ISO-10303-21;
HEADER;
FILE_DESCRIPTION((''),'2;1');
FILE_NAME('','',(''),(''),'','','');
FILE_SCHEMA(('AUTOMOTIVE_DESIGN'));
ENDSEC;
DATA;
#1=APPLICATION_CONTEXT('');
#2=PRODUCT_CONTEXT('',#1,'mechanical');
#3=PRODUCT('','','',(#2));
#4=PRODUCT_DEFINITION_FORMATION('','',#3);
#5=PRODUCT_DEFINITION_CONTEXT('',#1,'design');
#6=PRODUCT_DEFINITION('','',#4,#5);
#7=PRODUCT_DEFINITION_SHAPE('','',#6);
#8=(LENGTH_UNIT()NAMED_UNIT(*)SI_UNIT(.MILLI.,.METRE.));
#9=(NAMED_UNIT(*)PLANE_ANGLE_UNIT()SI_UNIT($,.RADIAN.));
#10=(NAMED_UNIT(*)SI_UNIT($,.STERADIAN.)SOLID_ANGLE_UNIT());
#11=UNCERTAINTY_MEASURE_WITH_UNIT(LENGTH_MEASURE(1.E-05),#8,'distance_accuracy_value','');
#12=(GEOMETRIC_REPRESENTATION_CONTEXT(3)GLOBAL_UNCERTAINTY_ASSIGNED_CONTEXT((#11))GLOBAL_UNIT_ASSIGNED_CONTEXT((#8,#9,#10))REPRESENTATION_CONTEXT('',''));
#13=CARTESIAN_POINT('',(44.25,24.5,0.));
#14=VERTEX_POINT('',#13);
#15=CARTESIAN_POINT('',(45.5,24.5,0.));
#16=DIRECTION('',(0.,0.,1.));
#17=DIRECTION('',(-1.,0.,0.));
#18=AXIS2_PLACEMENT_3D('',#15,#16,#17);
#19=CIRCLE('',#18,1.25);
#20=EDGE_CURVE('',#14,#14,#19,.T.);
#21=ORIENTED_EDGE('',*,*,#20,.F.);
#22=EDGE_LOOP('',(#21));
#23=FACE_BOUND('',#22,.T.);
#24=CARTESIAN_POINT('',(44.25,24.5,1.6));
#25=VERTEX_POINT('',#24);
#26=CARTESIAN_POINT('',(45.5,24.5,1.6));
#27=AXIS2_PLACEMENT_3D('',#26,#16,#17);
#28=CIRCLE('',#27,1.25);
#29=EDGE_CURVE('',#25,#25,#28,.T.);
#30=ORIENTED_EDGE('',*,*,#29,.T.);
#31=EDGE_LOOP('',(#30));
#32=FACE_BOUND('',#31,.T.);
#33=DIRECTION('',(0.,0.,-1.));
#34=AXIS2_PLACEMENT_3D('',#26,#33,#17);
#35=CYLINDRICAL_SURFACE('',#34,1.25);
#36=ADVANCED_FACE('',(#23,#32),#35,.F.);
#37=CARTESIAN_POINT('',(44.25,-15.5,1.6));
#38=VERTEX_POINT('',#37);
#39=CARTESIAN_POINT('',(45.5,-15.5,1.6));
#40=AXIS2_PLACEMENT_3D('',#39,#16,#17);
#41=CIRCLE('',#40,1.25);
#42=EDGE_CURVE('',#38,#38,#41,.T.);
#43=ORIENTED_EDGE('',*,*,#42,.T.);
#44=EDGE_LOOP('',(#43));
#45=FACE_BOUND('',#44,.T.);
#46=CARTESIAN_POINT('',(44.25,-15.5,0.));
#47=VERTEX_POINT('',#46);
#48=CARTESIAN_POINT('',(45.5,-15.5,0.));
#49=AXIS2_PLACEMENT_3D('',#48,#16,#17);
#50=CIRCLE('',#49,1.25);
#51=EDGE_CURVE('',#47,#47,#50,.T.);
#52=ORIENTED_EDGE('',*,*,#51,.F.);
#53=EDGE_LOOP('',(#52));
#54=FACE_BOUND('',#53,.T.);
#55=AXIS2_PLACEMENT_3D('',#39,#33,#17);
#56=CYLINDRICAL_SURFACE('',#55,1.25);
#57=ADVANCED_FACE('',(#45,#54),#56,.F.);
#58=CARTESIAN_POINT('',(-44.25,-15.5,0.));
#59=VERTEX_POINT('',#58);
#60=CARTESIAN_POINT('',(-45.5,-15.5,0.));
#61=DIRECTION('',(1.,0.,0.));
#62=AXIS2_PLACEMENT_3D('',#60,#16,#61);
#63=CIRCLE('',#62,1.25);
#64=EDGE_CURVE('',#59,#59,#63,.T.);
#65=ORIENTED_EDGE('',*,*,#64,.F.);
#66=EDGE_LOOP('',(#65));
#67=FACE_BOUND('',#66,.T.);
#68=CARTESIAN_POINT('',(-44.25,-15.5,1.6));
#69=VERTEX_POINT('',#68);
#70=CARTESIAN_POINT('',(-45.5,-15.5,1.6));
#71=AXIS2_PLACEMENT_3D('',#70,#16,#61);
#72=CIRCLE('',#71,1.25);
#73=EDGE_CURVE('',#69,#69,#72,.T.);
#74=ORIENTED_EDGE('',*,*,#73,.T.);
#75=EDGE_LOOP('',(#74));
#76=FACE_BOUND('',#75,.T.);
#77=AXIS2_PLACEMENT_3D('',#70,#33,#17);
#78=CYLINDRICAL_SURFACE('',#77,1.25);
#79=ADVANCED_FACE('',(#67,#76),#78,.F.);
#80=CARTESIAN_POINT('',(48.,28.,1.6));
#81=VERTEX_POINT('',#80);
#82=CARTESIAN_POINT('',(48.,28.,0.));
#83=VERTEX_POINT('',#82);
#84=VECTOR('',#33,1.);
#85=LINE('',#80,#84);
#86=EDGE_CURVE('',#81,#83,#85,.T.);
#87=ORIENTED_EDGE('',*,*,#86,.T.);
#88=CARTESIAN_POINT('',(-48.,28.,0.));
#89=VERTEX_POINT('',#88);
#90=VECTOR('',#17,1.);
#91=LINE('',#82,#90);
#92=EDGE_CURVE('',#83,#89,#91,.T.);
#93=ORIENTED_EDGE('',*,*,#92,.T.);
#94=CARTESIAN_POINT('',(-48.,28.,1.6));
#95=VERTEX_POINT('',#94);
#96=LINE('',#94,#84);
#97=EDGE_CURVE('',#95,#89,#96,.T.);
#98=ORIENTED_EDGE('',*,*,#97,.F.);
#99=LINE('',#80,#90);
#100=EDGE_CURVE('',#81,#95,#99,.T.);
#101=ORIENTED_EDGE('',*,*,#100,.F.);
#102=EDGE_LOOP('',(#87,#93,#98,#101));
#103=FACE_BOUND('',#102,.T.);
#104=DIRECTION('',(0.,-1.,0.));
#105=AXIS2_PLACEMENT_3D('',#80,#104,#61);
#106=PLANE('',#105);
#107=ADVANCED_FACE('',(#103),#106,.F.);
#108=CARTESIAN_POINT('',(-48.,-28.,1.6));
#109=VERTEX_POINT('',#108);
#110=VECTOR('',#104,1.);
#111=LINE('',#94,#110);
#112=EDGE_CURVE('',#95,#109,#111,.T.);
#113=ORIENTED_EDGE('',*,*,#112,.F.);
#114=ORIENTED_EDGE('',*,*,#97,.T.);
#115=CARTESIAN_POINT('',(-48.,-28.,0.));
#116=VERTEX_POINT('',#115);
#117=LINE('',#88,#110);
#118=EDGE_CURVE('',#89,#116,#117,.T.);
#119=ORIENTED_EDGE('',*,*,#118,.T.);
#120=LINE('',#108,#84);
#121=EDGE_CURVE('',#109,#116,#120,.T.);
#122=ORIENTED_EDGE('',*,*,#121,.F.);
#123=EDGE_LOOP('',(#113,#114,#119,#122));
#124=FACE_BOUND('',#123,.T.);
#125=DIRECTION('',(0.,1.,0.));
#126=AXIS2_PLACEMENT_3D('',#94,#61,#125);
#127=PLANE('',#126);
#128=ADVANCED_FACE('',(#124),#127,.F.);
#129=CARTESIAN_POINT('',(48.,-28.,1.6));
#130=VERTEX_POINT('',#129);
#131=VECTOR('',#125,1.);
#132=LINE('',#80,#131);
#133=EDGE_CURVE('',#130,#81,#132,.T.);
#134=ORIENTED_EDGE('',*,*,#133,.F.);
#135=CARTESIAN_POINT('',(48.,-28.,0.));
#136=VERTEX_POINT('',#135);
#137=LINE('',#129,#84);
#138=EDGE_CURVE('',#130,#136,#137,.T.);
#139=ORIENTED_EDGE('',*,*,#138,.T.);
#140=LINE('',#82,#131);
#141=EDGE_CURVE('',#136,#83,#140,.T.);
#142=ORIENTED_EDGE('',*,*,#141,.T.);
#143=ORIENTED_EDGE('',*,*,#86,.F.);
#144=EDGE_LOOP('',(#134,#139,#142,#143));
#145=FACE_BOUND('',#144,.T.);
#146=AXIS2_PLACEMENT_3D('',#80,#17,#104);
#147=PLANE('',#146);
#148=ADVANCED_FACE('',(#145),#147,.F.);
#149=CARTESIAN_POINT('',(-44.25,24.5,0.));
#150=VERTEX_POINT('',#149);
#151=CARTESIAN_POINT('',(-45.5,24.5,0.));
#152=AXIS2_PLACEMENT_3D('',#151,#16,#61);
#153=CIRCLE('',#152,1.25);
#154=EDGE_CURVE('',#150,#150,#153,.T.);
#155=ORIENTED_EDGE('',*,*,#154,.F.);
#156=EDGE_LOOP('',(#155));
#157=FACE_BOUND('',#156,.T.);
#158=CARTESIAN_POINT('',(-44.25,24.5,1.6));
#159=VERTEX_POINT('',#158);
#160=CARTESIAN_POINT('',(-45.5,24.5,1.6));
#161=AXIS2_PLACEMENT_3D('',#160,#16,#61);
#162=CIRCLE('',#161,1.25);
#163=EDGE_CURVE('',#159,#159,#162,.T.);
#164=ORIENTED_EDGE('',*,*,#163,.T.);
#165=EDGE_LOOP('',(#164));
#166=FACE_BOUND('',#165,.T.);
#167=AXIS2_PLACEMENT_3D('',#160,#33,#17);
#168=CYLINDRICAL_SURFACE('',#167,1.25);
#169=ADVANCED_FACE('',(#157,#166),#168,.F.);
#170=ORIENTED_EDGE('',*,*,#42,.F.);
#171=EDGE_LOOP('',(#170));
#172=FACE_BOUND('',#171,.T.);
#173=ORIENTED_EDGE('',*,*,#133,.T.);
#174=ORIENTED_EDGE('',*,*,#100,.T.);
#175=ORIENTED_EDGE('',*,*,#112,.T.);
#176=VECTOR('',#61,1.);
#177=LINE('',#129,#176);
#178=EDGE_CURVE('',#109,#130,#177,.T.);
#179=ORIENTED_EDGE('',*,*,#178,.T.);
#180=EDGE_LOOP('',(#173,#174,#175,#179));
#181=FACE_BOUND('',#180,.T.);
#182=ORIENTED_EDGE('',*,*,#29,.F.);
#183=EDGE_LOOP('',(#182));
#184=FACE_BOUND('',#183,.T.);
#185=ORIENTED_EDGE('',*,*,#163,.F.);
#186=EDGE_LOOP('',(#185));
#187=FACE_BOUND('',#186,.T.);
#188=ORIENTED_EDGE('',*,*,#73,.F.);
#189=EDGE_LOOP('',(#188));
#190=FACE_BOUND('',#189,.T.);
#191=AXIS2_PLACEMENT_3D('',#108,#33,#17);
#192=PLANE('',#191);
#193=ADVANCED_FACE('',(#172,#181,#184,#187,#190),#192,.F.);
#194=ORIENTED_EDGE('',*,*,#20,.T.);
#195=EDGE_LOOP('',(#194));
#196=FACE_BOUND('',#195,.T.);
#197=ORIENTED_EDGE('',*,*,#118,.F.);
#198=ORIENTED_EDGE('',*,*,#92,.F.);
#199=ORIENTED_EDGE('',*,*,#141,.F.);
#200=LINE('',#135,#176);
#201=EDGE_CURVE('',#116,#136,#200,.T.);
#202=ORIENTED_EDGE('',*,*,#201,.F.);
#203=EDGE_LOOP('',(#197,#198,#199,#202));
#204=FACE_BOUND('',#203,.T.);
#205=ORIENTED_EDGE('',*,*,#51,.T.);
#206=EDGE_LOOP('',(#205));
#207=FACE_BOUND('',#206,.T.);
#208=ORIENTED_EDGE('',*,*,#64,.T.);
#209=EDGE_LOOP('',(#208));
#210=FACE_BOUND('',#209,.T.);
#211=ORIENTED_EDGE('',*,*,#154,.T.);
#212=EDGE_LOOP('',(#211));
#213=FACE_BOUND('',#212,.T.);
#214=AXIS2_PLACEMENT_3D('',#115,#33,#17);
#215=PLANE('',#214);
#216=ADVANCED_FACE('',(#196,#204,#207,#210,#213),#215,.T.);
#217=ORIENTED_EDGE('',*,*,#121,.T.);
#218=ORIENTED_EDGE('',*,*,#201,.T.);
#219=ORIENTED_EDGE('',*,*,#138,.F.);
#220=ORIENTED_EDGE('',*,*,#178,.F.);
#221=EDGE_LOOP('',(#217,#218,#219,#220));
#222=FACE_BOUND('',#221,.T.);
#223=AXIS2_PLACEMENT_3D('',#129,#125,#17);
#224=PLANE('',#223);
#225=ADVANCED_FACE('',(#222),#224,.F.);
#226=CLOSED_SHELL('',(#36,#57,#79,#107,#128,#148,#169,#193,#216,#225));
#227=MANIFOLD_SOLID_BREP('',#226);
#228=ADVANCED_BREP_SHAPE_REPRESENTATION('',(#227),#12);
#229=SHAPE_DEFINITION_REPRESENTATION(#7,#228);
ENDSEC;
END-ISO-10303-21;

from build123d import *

# Parameters (mm, degrees)
SKETCH1_W           = 96
SKETCH1_H           = 56
SKETCH1_R           = 1.25
BOSS_EXTRUDE1_DEPTH = 1.6


with BuildPart() as part:
    # Sketch1 → Boss-Extrude1 (new body)
    with BuildSketch(Plane.XY):
        Rectangle(SKETCH1_W, SKETCH1_H)
        with Locations((-45.5, 24.5)):
            Circle(SKETCH1_R, mode=Mode.SUBTRACT)
        with Locations((-45.5, -15.5)):
            Circle(SKETCH1_R, mode=Mode.SUBTRACT)
        with Locations((45.5, -15.5)):
            Circle(SKETCH1_R, mode=Mode.SUBTRACT)
        with Locations((45.5, 24.5)):
            Circle(SKETCH1_R, mode=Mode.SUBTRACT)
    extrude(amount=BOSS_EXTRUDE1_DEPTH)


solid = part.part
